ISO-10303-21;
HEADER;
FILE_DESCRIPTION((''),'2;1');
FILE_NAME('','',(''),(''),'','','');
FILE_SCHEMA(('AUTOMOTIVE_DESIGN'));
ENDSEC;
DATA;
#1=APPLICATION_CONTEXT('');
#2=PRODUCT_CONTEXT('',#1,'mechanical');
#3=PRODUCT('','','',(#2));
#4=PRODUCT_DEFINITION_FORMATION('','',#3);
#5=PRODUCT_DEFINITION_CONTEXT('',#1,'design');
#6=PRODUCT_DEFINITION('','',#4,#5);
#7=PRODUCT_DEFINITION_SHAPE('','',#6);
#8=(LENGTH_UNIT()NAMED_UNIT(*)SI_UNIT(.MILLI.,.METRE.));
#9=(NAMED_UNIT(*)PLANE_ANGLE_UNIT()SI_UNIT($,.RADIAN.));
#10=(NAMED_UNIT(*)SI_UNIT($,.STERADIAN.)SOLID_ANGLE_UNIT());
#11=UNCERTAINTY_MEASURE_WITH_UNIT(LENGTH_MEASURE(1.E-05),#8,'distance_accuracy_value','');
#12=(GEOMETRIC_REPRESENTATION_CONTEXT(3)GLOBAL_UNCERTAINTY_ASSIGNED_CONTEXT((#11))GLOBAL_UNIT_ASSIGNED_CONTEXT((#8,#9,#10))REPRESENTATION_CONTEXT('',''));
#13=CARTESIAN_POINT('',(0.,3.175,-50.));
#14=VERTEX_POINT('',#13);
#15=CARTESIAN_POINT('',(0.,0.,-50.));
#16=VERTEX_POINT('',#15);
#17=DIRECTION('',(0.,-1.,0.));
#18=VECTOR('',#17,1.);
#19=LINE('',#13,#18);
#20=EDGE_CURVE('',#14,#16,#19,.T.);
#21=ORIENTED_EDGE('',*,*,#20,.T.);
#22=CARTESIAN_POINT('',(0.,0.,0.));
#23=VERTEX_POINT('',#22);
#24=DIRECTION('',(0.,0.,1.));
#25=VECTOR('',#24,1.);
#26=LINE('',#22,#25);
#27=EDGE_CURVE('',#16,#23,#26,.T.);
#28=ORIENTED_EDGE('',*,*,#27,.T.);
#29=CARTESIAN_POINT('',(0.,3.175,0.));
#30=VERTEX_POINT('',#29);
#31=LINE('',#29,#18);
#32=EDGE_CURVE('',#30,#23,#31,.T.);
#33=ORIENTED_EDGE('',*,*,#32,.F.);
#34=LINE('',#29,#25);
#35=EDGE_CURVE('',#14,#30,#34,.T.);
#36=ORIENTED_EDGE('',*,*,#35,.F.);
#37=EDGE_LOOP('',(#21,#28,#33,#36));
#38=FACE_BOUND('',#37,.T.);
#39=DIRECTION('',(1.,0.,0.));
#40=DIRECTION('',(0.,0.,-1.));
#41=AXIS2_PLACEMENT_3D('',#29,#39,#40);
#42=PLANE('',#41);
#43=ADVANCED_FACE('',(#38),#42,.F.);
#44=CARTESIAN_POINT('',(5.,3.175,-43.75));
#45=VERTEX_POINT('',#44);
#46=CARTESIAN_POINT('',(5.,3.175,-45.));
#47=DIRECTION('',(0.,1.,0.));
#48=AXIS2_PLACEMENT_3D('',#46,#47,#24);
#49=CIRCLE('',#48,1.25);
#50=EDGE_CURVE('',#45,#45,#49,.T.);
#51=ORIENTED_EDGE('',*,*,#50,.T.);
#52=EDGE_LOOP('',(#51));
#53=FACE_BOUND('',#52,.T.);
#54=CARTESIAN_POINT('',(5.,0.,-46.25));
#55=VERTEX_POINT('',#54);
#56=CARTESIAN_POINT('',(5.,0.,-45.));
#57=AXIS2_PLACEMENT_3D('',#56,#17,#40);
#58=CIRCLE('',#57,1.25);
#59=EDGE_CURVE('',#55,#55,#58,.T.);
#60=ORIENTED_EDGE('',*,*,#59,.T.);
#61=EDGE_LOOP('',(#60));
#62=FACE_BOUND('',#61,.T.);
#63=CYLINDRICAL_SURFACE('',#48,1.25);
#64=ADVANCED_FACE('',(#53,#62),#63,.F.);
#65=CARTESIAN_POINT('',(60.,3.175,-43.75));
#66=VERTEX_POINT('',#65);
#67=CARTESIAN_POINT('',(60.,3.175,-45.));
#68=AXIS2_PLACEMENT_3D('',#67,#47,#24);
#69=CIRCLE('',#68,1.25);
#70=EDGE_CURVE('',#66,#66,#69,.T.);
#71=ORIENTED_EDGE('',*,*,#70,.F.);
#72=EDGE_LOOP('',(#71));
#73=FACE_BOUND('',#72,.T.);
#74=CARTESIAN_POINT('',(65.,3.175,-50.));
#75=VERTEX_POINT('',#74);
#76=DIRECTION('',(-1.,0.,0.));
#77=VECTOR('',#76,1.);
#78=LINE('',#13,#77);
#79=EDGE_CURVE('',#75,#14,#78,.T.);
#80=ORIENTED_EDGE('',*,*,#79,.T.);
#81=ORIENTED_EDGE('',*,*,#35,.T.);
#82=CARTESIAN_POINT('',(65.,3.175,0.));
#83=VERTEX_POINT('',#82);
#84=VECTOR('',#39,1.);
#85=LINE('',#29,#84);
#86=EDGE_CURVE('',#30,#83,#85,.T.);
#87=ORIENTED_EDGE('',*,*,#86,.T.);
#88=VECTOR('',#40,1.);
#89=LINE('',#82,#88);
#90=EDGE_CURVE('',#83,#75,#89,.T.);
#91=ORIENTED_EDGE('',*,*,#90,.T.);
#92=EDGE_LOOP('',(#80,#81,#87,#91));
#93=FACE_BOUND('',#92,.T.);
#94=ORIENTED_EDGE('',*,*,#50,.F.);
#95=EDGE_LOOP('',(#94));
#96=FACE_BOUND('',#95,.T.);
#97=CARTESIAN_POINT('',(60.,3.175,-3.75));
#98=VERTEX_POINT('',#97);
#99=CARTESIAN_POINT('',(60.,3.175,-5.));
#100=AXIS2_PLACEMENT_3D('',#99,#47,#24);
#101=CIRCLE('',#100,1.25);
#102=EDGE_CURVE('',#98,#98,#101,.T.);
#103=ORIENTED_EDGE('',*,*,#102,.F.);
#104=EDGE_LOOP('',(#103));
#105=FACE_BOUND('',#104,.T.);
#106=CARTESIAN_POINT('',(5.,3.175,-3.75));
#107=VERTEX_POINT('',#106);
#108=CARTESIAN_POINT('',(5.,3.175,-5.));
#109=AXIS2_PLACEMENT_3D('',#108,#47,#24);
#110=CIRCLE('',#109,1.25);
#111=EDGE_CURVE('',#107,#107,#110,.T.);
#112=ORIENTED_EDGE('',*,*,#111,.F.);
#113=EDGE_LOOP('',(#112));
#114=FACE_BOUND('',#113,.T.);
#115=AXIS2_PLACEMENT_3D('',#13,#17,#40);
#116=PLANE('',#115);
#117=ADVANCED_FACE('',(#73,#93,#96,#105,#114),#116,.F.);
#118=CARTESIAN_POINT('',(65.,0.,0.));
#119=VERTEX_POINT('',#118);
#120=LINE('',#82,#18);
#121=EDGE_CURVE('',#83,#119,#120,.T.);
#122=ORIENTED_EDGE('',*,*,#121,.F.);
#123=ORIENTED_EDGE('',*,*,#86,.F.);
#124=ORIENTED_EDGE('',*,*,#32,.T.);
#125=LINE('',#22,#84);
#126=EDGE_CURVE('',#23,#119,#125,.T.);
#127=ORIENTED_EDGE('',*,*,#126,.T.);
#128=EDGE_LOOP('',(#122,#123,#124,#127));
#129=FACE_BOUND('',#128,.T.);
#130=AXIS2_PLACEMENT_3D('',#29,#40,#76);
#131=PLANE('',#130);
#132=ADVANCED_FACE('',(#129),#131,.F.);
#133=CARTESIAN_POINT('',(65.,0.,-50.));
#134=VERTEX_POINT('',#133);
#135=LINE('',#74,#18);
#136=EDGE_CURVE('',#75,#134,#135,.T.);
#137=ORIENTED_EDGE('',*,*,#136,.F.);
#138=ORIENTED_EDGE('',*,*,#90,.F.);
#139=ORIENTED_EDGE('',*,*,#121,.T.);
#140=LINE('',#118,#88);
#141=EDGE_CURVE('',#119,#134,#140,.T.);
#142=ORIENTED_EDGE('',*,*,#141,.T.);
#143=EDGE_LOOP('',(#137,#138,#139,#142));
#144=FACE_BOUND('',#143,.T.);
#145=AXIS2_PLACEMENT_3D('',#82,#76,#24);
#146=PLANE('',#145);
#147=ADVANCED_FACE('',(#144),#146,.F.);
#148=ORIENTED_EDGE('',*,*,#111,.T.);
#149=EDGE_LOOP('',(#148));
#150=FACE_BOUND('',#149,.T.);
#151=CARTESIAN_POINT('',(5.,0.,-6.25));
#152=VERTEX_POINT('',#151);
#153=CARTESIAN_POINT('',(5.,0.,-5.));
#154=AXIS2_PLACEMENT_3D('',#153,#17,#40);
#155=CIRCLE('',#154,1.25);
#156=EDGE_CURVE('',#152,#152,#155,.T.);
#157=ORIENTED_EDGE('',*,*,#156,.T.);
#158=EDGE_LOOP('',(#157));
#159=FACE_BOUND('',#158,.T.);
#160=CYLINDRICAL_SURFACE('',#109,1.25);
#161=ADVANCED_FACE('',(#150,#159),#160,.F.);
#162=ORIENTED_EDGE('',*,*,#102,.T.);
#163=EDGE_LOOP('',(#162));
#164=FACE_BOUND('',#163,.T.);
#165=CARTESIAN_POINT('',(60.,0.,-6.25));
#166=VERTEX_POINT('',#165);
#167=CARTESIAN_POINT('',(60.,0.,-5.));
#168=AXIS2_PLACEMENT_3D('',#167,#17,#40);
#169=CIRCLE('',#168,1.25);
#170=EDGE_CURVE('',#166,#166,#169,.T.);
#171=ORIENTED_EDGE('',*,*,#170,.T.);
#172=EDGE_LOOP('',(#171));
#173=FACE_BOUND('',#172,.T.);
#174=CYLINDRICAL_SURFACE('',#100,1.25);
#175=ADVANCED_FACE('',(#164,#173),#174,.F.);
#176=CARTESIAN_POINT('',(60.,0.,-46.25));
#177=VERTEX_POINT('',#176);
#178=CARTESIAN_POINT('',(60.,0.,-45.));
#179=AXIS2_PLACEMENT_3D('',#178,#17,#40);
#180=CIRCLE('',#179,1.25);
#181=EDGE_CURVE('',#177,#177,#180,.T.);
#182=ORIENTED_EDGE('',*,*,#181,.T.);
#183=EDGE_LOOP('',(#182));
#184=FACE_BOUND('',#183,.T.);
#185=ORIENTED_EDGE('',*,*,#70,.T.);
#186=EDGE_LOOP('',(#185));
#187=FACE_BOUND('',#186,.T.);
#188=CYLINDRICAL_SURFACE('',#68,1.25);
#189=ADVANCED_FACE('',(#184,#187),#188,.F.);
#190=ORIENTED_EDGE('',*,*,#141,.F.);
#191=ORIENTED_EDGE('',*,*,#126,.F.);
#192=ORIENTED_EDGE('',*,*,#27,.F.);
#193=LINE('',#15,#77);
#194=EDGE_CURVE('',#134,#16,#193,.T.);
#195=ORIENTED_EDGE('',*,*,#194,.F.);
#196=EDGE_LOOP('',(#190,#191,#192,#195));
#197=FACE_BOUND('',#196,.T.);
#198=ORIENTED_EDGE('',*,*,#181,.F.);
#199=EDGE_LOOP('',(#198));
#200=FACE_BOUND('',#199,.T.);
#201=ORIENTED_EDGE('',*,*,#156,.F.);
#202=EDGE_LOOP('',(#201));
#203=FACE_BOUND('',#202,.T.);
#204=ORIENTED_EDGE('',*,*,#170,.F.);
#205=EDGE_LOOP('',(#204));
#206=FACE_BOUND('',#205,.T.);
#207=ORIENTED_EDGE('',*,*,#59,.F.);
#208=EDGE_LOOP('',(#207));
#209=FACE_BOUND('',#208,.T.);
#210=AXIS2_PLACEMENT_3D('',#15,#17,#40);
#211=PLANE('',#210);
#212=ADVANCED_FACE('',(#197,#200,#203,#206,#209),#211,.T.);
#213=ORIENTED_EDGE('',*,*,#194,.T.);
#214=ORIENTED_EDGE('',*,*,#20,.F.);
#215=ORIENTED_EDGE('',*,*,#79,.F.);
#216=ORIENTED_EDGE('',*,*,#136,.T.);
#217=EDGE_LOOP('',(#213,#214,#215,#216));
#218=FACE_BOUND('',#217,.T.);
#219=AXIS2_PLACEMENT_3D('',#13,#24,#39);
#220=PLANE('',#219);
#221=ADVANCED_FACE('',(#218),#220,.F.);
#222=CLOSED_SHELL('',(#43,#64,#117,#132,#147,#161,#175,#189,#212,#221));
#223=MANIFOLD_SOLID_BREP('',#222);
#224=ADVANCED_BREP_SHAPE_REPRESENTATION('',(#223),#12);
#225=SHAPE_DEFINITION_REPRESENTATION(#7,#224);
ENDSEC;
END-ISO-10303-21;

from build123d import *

# Parameters (mm, degrees)
SKETCH1_W                 = 65
SKETCH1_H                 = 50
BOSS_EXTRUDE1_DEPTH       = 3.175
M3X0_5_TAPPED_HOLE1_D     = 2.5
M3X0_5_TAPPED_HOLE1_DEPTH = 7.5
M3X0_5_TAPPED_HOLE1_TIP   = 0.751075774


with BuildPart() as part:
    # Sketch1 → Boss-Extrude1 (new body)
    with BuildSketch(Plane(origin=(0, 0, 0), x_dir=(1, 0, 0), z_dir=(0, 1, 0))):
        with Locations((32.5, 25)):
            Rectangle(SKETCH1_W, SKETCH1_H)
    extrude(amount=BOSS_EXTRUDE1_DEPTH)

    # M3x0.5 Tapped Hole1
    with Locations(Plane(origin=(0, 3.175, 0), x_dir=(-1, 0, 0), z_dir=(0, 1, 0))):
        with Locations((-5, -45), (-60, -45), (-60, -5), (-5, -5)):
            Hole(M3X0_5_TAPPED_HOLE1_D / 2, depth=M3X0_5_TAPPED_HOLE1_DEPTH)
            with Locations((0, 0, -(M3X0_5_TAPPED_HOLE1_DEPTH + M3X0_5_TAPPED_HOLE1_TIP / 2))):  # 118° drill point
                Cone(0, M3X0_5_TAPPED_HOLE1_D / 2, M3X0_5_TAPPED_HOLE1_TIP, mode=Mode.SUBTRACT)


solid = part.part
